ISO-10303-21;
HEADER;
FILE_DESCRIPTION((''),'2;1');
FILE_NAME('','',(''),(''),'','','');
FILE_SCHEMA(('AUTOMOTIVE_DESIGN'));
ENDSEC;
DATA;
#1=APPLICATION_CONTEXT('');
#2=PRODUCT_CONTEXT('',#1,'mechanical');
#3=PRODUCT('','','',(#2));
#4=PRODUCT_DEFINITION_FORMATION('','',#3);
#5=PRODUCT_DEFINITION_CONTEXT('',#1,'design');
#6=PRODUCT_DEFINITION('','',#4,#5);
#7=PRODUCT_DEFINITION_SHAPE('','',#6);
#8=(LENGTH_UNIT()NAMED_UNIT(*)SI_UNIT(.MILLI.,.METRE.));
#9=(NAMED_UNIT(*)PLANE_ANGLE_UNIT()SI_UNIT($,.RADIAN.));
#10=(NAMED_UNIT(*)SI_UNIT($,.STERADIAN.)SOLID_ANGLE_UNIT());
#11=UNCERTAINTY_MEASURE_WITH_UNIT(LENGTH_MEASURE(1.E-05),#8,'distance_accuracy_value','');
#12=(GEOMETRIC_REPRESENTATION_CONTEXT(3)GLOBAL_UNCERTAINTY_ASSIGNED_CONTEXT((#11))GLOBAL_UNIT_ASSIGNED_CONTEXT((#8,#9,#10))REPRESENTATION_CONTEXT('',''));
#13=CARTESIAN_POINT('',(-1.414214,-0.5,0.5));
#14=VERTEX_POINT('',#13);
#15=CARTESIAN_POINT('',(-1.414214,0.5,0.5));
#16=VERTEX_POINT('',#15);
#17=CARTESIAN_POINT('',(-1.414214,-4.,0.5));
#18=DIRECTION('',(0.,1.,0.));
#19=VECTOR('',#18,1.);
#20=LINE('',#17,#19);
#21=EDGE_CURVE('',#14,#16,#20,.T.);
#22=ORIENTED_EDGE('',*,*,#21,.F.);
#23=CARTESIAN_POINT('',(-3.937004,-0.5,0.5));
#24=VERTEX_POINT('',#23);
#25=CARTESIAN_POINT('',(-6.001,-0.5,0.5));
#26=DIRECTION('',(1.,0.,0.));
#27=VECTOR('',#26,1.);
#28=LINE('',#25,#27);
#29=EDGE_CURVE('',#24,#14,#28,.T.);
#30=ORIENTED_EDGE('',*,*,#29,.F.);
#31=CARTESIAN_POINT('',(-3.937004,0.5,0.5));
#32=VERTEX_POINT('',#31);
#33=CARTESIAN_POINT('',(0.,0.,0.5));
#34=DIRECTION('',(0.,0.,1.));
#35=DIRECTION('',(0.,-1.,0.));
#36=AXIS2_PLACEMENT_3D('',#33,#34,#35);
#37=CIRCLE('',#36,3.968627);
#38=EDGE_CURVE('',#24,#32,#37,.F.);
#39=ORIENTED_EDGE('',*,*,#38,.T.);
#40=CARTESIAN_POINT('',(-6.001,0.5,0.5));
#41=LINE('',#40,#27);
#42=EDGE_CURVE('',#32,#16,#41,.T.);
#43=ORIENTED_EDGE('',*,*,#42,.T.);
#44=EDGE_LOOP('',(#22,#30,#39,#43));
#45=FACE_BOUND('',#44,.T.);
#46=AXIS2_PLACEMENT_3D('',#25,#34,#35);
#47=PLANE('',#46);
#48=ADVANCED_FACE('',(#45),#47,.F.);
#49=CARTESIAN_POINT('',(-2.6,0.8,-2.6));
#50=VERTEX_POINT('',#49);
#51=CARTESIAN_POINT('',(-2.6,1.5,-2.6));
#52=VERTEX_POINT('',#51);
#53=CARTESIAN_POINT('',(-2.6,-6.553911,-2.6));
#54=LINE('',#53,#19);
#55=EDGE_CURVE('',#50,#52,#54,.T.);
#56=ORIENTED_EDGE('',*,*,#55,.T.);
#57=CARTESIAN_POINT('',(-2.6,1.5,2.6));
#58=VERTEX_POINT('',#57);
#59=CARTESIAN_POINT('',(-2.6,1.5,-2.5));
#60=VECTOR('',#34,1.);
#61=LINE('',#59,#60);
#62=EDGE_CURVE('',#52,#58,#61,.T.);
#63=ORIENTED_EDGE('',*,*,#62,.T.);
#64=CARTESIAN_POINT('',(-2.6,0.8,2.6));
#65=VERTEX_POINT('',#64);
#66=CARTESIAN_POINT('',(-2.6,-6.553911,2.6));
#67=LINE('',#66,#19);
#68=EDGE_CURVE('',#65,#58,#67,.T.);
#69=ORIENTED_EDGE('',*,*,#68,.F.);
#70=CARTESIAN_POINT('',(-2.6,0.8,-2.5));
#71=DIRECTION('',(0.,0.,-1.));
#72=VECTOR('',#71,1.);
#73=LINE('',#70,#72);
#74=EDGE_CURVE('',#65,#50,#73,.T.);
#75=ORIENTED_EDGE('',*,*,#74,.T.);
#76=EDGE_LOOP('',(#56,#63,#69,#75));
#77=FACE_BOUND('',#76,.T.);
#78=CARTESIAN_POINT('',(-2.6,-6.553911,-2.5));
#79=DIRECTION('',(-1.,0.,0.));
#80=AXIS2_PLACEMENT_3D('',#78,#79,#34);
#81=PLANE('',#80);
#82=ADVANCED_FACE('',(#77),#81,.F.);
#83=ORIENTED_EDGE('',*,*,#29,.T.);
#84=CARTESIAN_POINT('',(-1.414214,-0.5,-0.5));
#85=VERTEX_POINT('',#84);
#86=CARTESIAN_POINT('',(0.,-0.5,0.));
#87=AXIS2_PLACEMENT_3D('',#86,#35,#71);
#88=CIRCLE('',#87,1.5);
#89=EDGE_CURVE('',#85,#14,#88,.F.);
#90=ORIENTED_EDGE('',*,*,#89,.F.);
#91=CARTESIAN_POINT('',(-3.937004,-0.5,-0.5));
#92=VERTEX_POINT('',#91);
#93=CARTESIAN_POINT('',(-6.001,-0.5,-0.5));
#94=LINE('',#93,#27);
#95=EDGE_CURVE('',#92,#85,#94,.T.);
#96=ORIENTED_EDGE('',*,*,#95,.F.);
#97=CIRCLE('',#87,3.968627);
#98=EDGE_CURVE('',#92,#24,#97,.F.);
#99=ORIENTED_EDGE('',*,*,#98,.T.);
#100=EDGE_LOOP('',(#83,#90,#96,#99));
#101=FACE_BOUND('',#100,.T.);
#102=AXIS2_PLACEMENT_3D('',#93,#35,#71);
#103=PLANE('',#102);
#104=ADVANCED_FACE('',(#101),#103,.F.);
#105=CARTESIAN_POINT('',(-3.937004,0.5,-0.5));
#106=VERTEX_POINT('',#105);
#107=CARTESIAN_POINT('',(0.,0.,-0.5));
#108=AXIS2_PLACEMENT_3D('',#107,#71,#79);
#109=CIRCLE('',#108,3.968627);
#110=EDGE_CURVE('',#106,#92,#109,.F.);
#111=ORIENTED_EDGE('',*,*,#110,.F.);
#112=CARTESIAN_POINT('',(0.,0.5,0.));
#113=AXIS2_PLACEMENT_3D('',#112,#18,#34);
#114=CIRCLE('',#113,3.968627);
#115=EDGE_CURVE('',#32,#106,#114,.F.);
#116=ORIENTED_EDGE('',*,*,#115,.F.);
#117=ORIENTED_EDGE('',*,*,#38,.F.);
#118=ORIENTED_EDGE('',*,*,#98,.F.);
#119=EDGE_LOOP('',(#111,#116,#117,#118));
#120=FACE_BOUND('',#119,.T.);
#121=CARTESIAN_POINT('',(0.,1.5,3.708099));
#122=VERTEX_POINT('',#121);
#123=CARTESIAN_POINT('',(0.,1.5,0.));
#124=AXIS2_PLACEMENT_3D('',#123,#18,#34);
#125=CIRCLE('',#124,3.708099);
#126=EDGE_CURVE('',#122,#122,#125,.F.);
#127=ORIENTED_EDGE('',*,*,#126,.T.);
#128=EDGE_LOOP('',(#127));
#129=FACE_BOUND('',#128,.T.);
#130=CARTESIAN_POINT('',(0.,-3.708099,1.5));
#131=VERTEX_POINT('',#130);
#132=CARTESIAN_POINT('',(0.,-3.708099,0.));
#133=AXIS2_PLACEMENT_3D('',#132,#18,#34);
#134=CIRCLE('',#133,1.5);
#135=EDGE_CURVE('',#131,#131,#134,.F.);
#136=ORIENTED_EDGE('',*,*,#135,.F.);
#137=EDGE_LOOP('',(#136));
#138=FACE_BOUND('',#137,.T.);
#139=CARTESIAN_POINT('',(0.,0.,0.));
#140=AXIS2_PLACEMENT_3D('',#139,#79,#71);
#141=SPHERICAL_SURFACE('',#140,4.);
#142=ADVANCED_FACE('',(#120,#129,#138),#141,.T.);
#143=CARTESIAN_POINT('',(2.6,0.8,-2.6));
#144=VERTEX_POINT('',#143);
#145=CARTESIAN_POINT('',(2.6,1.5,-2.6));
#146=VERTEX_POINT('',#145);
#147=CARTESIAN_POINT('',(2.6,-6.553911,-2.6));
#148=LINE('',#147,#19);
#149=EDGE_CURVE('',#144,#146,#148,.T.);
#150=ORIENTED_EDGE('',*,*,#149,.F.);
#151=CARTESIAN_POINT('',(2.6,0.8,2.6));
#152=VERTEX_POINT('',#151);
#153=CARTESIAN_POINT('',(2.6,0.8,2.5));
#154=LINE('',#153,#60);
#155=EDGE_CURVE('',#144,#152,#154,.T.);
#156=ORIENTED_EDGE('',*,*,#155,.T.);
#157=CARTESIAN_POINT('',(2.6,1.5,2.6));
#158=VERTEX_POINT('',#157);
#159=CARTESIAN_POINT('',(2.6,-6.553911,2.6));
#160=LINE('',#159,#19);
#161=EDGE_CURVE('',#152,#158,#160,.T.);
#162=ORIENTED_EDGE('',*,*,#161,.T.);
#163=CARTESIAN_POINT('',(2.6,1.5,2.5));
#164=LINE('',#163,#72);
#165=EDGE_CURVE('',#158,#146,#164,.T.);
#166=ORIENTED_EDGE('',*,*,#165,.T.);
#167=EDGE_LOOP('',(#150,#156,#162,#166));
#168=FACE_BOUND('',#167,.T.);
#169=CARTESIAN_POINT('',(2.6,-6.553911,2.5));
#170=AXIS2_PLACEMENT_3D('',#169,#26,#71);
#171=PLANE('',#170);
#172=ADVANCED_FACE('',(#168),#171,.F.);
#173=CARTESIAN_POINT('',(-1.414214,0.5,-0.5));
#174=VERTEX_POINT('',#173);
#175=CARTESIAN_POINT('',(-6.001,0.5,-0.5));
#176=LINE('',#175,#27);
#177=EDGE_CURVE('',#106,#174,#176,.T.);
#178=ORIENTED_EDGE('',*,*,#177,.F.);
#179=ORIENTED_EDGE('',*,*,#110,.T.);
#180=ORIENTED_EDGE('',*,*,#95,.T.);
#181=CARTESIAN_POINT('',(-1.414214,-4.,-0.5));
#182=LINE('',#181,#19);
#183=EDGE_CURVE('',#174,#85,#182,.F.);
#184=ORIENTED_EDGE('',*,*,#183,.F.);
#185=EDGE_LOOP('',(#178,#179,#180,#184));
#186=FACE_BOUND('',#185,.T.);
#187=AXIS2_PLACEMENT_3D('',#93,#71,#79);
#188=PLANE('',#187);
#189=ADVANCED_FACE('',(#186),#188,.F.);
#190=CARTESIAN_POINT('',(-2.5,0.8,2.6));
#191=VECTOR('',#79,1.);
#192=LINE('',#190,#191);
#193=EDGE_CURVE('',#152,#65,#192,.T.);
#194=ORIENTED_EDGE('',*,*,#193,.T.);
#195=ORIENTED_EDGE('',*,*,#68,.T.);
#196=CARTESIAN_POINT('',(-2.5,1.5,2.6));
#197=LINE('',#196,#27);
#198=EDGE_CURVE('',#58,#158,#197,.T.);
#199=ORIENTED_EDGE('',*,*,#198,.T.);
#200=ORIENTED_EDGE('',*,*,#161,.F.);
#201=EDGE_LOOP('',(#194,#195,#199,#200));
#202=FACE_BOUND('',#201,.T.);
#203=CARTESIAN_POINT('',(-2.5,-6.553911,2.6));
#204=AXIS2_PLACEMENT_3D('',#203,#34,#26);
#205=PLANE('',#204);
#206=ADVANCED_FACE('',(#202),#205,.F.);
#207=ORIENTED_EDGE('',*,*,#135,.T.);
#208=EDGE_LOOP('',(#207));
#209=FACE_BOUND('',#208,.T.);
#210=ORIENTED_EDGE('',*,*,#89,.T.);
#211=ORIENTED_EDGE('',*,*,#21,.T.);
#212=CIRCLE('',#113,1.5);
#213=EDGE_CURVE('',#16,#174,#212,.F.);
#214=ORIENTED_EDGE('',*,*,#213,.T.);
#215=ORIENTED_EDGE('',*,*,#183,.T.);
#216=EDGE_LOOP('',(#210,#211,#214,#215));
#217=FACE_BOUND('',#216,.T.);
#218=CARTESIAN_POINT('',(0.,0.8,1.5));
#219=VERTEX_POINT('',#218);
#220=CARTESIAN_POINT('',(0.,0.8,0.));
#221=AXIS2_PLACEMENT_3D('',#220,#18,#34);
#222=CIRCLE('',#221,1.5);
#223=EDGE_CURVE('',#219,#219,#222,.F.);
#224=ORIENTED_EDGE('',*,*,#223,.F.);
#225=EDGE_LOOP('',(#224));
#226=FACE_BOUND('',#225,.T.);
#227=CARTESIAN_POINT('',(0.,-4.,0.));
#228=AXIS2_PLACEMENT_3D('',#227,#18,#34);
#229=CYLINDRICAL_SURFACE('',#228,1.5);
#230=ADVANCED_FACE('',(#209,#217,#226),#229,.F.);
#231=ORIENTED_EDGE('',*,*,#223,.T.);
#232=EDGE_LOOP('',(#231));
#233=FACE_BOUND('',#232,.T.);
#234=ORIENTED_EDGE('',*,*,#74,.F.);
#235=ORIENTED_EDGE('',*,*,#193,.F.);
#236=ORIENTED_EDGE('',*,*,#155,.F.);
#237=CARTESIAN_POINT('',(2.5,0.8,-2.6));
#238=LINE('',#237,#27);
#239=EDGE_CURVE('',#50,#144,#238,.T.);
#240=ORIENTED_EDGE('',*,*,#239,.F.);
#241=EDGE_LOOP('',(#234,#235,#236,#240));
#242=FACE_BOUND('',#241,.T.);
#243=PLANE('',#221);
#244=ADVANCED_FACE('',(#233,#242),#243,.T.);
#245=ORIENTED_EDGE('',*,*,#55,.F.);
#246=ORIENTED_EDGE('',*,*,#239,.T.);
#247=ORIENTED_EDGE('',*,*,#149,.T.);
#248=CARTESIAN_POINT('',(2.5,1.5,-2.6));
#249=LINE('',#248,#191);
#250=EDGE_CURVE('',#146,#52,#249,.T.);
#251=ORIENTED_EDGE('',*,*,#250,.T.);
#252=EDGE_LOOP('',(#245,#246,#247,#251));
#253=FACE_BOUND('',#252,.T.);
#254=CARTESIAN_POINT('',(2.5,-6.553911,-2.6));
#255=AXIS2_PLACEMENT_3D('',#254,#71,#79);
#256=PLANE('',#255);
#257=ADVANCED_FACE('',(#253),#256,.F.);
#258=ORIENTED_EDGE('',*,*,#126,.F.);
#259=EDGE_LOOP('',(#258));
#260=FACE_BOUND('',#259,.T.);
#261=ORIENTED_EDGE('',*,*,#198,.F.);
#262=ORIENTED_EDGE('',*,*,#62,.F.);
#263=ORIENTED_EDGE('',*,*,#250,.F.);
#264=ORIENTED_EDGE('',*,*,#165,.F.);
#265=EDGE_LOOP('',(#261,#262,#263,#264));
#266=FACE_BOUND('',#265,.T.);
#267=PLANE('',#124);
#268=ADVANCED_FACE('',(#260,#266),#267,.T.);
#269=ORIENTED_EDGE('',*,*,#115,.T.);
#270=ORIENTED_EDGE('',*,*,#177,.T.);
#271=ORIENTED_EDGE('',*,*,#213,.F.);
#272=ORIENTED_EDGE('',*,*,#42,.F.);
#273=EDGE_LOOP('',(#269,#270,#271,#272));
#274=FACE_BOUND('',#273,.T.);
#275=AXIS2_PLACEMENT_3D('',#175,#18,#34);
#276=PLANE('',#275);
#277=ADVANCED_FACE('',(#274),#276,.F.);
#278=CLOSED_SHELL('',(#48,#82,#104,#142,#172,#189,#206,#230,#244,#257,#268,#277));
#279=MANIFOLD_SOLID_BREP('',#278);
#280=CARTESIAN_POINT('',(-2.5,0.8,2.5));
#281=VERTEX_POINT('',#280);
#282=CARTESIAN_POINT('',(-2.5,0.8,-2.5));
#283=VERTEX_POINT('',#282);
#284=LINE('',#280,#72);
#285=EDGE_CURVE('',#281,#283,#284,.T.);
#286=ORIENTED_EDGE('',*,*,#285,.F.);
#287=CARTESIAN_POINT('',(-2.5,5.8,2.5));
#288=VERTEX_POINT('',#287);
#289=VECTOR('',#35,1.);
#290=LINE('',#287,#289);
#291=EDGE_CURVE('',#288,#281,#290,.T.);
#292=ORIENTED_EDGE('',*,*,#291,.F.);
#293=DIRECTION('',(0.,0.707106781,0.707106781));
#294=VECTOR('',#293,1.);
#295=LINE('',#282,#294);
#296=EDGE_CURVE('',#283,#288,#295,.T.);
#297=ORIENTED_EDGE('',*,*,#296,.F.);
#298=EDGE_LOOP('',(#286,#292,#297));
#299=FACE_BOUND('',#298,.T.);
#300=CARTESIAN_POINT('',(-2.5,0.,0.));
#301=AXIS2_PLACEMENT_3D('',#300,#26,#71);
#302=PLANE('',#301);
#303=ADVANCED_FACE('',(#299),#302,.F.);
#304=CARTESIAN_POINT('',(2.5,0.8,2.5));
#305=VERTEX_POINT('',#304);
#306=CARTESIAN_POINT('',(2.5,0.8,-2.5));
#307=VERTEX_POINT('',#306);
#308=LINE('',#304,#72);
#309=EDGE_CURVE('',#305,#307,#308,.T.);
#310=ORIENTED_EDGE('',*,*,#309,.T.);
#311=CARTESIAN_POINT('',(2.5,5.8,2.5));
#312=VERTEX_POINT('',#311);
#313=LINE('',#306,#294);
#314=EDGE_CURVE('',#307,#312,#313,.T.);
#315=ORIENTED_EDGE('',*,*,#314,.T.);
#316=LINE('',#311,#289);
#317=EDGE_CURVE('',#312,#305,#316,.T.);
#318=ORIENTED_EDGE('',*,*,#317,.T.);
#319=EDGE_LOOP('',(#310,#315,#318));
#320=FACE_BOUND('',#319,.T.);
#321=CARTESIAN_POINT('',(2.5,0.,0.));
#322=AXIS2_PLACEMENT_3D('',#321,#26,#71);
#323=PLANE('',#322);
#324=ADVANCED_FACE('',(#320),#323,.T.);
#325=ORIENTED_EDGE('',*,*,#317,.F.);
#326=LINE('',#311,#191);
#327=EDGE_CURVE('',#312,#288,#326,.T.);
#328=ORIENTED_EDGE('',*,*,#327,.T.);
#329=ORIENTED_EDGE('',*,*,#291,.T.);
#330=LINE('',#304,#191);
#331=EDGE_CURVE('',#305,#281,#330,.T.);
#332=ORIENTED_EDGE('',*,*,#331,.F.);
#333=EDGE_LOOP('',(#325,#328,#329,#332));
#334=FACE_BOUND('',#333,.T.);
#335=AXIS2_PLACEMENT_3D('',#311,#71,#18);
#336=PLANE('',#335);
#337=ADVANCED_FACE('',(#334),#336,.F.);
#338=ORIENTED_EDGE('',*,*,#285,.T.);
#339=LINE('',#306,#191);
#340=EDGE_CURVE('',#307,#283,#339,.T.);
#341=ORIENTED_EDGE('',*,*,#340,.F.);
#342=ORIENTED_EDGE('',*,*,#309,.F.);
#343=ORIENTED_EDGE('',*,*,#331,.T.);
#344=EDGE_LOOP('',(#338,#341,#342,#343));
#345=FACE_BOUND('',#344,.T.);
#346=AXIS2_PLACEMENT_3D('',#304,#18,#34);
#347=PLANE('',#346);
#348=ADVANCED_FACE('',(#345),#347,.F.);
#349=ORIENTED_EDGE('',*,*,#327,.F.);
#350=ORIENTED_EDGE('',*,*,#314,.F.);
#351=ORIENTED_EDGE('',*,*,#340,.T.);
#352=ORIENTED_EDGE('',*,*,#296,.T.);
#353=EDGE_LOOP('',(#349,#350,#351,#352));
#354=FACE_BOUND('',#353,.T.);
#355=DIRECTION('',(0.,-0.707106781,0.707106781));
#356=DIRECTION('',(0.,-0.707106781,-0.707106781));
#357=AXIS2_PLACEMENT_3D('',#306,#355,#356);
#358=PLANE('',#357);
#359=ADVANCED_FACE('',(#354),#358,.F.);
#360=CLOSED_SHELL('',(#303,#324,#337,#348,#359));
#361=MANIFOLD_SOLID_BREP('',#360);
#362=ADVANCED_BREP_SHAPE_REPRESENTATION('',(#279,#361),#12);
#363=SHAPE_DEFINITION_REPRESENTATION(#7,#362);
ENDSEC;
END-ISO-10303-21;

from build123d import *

# Parameters (mm, degrees)
SKETCH_2_W               = 8
SKETCH_2_H               = 8
CUT_EXTRUDE_1_DEPTH      = 10
SKETCH_6_R               = 1.5
CUT_EXTRUDE_2_DEPTH      = 9.246211251
SKETCH_8_W               = 5
SKETCH_8_H               = 5
CUT_EXTRUDE_3_DEPTH      = 1.2
EXTRUDE_4_DEPTH          = 2.5
SKETCH_11_R              = 3.996071485
SKETCH_11_W              = 5
SKETCH_11_H              = 5
CUT_EXTRUDE_5_DEPTH      = 0.5
CUT_EXTRUDE_6_REACH      = 10.102
CUT_EXTRUDE_6_END_RADIUS = 4
SKETCH_12_W              = 1
SKETCH_12_H              = 1
SKETCH_13_W              = 5.2
SKETCH_13_H              = 5.2
SKETCH_13_W_2            = 5
SKETCH_13_H_2            = 5
CUT_EXTRUDE_1_2_DEPTH    = 0.7


with BuildPart() as part:
    # 草图1 → 旋转1 (revolve)
    with BuildSketch(Plane(origin=(0, 0, 0), x_dir=(1, 0, 0), z_dir=(0, 1, 0))):
        with BuildLine():
            Line((-4, 0), (4, 0))
            ThreePointArc((4, 0), (0, -4), (-4, 0))
        make_face()
    revolve(axis=Axis((-4, 0, 0), (1, 0, 0)))

    # 草图2 → Cut-Extrude 1 (cut)
    with BuildSketch(Plane(origin=(0, 2, 0), x_dir=(1, 0, 0), z_dir=(0, 1, 0))):
        Rectangle(SKETCH_2_W, SKETCH_2_H)
    extrude(amount=CUT_EXTRUDE_1_DEPTH, mode=Mode.SUBTRACT)

    # 草图6 → 切除-拉伸2 (cut, through all)
    with BuildSketch(Plane(origin=(0, 2, 0), x_dir=(1, 0, 0), z_dir=(0, 1, 0))):
        with Locations(Location((0, 0, 0), (0, 0, 270))):
            Circle(SKETCH_6_R)
    extrude(amount=-CUT_EXTRUDE_2_DEPTH, mode=Mode.SUBTRACT)

    # 草图8 → 切除-拉伸3 (cut)
    with BuildSketch(Plane(origin=(0, 2, 0), x_dir=(1, 0, 0), z_dir=(0, 1, 0))):
        Rectangle(SKETCH_8_W, SKETCH_8_H)
    extrude(amount=-CUT_EXTRUDE_3_DEPTH, mode=Mode.SUBTRACT)

    # 草图11 → 切除-拉伸5 (cut)
    with BuildSketch(Plane(origin=(0, 2, 0), x_dir=(1, 0, 0), z_dir=(0, 1, 0))):
        Circle(SKETCH_11_R)
        Rectangle(SKETCH_11_W, SKETCH_11_H, mode=Mode.SUBTRACT)
    extrude(amount=-CUT_EXTRUDE_5_DEPTH, mode=Mode.SUBTRACT)

    # 切除-拉伸6: up to this sphere (the profile starts inside it)
    cut_extrude_6_end = Location((0, 0, 0)) * Sphere(CUT_EXTRUDE_6_END_RADIUS, mode=Mode.PRIVATE)
    # 草图12 → 切除-拉伸6 (cut, up to the surface)
    with BuildSketch(Plane(origin=(0, 0, 0), x_dir=(0, 0, -1), z_dir=(1, 0, 0)), mode=Mode.PRIVATE) as cut_extrude_6_sk1:
        Rectangle(SKETCH_12_W, SKETCH_12_H)
    cut_extrude_6_tool1 = extrude(cut_extrude_6_sk1.sketch, amount=-CUT_EXTRUDE_6_REACH, mode=Mode.PRIVATE) & cut_extrude_6_end
    add(cut_extrude_6_tool1.solids().sort_by_distance((0, 0, 0))[0], mode=Mode.SUBTRACT)

    # 草图13 → Cut-Extrude 1 2 (cut)
    with BuildSketch(Plane(origin=(0, 1.5, 0), x_dir=(1, 0, 0), z_dir=(0, 1, 0))):
        Rectangle(SKETCH_13_W, SKETCH_13_H)
        Rectangle(SKETCH_13_W_2, SKETCH_13_H_2, mode=Mode.SUBTRACT)
    extrude(amount=-CUT_EXTRUDE_1_2_DEPTH, mode=Mode.SUBTRACT)


with BuildPart() as body_2:
    # 草图7 → 凸台-拉伸4 (new, symmetric)
    with BuildSketch(Plane(origin=(0, 0, 0), x_dir=(0, 0, -1), z_dir=(1, 0, 0))):
        Polygon((-2.5, 5.8), (-2.5, 0.8), (2.5, 0.8), align=None)
    extrude(amount=EXTRUDE_4_DEPTH, both=True)


solid = Compound([part.part, body_2.part])
